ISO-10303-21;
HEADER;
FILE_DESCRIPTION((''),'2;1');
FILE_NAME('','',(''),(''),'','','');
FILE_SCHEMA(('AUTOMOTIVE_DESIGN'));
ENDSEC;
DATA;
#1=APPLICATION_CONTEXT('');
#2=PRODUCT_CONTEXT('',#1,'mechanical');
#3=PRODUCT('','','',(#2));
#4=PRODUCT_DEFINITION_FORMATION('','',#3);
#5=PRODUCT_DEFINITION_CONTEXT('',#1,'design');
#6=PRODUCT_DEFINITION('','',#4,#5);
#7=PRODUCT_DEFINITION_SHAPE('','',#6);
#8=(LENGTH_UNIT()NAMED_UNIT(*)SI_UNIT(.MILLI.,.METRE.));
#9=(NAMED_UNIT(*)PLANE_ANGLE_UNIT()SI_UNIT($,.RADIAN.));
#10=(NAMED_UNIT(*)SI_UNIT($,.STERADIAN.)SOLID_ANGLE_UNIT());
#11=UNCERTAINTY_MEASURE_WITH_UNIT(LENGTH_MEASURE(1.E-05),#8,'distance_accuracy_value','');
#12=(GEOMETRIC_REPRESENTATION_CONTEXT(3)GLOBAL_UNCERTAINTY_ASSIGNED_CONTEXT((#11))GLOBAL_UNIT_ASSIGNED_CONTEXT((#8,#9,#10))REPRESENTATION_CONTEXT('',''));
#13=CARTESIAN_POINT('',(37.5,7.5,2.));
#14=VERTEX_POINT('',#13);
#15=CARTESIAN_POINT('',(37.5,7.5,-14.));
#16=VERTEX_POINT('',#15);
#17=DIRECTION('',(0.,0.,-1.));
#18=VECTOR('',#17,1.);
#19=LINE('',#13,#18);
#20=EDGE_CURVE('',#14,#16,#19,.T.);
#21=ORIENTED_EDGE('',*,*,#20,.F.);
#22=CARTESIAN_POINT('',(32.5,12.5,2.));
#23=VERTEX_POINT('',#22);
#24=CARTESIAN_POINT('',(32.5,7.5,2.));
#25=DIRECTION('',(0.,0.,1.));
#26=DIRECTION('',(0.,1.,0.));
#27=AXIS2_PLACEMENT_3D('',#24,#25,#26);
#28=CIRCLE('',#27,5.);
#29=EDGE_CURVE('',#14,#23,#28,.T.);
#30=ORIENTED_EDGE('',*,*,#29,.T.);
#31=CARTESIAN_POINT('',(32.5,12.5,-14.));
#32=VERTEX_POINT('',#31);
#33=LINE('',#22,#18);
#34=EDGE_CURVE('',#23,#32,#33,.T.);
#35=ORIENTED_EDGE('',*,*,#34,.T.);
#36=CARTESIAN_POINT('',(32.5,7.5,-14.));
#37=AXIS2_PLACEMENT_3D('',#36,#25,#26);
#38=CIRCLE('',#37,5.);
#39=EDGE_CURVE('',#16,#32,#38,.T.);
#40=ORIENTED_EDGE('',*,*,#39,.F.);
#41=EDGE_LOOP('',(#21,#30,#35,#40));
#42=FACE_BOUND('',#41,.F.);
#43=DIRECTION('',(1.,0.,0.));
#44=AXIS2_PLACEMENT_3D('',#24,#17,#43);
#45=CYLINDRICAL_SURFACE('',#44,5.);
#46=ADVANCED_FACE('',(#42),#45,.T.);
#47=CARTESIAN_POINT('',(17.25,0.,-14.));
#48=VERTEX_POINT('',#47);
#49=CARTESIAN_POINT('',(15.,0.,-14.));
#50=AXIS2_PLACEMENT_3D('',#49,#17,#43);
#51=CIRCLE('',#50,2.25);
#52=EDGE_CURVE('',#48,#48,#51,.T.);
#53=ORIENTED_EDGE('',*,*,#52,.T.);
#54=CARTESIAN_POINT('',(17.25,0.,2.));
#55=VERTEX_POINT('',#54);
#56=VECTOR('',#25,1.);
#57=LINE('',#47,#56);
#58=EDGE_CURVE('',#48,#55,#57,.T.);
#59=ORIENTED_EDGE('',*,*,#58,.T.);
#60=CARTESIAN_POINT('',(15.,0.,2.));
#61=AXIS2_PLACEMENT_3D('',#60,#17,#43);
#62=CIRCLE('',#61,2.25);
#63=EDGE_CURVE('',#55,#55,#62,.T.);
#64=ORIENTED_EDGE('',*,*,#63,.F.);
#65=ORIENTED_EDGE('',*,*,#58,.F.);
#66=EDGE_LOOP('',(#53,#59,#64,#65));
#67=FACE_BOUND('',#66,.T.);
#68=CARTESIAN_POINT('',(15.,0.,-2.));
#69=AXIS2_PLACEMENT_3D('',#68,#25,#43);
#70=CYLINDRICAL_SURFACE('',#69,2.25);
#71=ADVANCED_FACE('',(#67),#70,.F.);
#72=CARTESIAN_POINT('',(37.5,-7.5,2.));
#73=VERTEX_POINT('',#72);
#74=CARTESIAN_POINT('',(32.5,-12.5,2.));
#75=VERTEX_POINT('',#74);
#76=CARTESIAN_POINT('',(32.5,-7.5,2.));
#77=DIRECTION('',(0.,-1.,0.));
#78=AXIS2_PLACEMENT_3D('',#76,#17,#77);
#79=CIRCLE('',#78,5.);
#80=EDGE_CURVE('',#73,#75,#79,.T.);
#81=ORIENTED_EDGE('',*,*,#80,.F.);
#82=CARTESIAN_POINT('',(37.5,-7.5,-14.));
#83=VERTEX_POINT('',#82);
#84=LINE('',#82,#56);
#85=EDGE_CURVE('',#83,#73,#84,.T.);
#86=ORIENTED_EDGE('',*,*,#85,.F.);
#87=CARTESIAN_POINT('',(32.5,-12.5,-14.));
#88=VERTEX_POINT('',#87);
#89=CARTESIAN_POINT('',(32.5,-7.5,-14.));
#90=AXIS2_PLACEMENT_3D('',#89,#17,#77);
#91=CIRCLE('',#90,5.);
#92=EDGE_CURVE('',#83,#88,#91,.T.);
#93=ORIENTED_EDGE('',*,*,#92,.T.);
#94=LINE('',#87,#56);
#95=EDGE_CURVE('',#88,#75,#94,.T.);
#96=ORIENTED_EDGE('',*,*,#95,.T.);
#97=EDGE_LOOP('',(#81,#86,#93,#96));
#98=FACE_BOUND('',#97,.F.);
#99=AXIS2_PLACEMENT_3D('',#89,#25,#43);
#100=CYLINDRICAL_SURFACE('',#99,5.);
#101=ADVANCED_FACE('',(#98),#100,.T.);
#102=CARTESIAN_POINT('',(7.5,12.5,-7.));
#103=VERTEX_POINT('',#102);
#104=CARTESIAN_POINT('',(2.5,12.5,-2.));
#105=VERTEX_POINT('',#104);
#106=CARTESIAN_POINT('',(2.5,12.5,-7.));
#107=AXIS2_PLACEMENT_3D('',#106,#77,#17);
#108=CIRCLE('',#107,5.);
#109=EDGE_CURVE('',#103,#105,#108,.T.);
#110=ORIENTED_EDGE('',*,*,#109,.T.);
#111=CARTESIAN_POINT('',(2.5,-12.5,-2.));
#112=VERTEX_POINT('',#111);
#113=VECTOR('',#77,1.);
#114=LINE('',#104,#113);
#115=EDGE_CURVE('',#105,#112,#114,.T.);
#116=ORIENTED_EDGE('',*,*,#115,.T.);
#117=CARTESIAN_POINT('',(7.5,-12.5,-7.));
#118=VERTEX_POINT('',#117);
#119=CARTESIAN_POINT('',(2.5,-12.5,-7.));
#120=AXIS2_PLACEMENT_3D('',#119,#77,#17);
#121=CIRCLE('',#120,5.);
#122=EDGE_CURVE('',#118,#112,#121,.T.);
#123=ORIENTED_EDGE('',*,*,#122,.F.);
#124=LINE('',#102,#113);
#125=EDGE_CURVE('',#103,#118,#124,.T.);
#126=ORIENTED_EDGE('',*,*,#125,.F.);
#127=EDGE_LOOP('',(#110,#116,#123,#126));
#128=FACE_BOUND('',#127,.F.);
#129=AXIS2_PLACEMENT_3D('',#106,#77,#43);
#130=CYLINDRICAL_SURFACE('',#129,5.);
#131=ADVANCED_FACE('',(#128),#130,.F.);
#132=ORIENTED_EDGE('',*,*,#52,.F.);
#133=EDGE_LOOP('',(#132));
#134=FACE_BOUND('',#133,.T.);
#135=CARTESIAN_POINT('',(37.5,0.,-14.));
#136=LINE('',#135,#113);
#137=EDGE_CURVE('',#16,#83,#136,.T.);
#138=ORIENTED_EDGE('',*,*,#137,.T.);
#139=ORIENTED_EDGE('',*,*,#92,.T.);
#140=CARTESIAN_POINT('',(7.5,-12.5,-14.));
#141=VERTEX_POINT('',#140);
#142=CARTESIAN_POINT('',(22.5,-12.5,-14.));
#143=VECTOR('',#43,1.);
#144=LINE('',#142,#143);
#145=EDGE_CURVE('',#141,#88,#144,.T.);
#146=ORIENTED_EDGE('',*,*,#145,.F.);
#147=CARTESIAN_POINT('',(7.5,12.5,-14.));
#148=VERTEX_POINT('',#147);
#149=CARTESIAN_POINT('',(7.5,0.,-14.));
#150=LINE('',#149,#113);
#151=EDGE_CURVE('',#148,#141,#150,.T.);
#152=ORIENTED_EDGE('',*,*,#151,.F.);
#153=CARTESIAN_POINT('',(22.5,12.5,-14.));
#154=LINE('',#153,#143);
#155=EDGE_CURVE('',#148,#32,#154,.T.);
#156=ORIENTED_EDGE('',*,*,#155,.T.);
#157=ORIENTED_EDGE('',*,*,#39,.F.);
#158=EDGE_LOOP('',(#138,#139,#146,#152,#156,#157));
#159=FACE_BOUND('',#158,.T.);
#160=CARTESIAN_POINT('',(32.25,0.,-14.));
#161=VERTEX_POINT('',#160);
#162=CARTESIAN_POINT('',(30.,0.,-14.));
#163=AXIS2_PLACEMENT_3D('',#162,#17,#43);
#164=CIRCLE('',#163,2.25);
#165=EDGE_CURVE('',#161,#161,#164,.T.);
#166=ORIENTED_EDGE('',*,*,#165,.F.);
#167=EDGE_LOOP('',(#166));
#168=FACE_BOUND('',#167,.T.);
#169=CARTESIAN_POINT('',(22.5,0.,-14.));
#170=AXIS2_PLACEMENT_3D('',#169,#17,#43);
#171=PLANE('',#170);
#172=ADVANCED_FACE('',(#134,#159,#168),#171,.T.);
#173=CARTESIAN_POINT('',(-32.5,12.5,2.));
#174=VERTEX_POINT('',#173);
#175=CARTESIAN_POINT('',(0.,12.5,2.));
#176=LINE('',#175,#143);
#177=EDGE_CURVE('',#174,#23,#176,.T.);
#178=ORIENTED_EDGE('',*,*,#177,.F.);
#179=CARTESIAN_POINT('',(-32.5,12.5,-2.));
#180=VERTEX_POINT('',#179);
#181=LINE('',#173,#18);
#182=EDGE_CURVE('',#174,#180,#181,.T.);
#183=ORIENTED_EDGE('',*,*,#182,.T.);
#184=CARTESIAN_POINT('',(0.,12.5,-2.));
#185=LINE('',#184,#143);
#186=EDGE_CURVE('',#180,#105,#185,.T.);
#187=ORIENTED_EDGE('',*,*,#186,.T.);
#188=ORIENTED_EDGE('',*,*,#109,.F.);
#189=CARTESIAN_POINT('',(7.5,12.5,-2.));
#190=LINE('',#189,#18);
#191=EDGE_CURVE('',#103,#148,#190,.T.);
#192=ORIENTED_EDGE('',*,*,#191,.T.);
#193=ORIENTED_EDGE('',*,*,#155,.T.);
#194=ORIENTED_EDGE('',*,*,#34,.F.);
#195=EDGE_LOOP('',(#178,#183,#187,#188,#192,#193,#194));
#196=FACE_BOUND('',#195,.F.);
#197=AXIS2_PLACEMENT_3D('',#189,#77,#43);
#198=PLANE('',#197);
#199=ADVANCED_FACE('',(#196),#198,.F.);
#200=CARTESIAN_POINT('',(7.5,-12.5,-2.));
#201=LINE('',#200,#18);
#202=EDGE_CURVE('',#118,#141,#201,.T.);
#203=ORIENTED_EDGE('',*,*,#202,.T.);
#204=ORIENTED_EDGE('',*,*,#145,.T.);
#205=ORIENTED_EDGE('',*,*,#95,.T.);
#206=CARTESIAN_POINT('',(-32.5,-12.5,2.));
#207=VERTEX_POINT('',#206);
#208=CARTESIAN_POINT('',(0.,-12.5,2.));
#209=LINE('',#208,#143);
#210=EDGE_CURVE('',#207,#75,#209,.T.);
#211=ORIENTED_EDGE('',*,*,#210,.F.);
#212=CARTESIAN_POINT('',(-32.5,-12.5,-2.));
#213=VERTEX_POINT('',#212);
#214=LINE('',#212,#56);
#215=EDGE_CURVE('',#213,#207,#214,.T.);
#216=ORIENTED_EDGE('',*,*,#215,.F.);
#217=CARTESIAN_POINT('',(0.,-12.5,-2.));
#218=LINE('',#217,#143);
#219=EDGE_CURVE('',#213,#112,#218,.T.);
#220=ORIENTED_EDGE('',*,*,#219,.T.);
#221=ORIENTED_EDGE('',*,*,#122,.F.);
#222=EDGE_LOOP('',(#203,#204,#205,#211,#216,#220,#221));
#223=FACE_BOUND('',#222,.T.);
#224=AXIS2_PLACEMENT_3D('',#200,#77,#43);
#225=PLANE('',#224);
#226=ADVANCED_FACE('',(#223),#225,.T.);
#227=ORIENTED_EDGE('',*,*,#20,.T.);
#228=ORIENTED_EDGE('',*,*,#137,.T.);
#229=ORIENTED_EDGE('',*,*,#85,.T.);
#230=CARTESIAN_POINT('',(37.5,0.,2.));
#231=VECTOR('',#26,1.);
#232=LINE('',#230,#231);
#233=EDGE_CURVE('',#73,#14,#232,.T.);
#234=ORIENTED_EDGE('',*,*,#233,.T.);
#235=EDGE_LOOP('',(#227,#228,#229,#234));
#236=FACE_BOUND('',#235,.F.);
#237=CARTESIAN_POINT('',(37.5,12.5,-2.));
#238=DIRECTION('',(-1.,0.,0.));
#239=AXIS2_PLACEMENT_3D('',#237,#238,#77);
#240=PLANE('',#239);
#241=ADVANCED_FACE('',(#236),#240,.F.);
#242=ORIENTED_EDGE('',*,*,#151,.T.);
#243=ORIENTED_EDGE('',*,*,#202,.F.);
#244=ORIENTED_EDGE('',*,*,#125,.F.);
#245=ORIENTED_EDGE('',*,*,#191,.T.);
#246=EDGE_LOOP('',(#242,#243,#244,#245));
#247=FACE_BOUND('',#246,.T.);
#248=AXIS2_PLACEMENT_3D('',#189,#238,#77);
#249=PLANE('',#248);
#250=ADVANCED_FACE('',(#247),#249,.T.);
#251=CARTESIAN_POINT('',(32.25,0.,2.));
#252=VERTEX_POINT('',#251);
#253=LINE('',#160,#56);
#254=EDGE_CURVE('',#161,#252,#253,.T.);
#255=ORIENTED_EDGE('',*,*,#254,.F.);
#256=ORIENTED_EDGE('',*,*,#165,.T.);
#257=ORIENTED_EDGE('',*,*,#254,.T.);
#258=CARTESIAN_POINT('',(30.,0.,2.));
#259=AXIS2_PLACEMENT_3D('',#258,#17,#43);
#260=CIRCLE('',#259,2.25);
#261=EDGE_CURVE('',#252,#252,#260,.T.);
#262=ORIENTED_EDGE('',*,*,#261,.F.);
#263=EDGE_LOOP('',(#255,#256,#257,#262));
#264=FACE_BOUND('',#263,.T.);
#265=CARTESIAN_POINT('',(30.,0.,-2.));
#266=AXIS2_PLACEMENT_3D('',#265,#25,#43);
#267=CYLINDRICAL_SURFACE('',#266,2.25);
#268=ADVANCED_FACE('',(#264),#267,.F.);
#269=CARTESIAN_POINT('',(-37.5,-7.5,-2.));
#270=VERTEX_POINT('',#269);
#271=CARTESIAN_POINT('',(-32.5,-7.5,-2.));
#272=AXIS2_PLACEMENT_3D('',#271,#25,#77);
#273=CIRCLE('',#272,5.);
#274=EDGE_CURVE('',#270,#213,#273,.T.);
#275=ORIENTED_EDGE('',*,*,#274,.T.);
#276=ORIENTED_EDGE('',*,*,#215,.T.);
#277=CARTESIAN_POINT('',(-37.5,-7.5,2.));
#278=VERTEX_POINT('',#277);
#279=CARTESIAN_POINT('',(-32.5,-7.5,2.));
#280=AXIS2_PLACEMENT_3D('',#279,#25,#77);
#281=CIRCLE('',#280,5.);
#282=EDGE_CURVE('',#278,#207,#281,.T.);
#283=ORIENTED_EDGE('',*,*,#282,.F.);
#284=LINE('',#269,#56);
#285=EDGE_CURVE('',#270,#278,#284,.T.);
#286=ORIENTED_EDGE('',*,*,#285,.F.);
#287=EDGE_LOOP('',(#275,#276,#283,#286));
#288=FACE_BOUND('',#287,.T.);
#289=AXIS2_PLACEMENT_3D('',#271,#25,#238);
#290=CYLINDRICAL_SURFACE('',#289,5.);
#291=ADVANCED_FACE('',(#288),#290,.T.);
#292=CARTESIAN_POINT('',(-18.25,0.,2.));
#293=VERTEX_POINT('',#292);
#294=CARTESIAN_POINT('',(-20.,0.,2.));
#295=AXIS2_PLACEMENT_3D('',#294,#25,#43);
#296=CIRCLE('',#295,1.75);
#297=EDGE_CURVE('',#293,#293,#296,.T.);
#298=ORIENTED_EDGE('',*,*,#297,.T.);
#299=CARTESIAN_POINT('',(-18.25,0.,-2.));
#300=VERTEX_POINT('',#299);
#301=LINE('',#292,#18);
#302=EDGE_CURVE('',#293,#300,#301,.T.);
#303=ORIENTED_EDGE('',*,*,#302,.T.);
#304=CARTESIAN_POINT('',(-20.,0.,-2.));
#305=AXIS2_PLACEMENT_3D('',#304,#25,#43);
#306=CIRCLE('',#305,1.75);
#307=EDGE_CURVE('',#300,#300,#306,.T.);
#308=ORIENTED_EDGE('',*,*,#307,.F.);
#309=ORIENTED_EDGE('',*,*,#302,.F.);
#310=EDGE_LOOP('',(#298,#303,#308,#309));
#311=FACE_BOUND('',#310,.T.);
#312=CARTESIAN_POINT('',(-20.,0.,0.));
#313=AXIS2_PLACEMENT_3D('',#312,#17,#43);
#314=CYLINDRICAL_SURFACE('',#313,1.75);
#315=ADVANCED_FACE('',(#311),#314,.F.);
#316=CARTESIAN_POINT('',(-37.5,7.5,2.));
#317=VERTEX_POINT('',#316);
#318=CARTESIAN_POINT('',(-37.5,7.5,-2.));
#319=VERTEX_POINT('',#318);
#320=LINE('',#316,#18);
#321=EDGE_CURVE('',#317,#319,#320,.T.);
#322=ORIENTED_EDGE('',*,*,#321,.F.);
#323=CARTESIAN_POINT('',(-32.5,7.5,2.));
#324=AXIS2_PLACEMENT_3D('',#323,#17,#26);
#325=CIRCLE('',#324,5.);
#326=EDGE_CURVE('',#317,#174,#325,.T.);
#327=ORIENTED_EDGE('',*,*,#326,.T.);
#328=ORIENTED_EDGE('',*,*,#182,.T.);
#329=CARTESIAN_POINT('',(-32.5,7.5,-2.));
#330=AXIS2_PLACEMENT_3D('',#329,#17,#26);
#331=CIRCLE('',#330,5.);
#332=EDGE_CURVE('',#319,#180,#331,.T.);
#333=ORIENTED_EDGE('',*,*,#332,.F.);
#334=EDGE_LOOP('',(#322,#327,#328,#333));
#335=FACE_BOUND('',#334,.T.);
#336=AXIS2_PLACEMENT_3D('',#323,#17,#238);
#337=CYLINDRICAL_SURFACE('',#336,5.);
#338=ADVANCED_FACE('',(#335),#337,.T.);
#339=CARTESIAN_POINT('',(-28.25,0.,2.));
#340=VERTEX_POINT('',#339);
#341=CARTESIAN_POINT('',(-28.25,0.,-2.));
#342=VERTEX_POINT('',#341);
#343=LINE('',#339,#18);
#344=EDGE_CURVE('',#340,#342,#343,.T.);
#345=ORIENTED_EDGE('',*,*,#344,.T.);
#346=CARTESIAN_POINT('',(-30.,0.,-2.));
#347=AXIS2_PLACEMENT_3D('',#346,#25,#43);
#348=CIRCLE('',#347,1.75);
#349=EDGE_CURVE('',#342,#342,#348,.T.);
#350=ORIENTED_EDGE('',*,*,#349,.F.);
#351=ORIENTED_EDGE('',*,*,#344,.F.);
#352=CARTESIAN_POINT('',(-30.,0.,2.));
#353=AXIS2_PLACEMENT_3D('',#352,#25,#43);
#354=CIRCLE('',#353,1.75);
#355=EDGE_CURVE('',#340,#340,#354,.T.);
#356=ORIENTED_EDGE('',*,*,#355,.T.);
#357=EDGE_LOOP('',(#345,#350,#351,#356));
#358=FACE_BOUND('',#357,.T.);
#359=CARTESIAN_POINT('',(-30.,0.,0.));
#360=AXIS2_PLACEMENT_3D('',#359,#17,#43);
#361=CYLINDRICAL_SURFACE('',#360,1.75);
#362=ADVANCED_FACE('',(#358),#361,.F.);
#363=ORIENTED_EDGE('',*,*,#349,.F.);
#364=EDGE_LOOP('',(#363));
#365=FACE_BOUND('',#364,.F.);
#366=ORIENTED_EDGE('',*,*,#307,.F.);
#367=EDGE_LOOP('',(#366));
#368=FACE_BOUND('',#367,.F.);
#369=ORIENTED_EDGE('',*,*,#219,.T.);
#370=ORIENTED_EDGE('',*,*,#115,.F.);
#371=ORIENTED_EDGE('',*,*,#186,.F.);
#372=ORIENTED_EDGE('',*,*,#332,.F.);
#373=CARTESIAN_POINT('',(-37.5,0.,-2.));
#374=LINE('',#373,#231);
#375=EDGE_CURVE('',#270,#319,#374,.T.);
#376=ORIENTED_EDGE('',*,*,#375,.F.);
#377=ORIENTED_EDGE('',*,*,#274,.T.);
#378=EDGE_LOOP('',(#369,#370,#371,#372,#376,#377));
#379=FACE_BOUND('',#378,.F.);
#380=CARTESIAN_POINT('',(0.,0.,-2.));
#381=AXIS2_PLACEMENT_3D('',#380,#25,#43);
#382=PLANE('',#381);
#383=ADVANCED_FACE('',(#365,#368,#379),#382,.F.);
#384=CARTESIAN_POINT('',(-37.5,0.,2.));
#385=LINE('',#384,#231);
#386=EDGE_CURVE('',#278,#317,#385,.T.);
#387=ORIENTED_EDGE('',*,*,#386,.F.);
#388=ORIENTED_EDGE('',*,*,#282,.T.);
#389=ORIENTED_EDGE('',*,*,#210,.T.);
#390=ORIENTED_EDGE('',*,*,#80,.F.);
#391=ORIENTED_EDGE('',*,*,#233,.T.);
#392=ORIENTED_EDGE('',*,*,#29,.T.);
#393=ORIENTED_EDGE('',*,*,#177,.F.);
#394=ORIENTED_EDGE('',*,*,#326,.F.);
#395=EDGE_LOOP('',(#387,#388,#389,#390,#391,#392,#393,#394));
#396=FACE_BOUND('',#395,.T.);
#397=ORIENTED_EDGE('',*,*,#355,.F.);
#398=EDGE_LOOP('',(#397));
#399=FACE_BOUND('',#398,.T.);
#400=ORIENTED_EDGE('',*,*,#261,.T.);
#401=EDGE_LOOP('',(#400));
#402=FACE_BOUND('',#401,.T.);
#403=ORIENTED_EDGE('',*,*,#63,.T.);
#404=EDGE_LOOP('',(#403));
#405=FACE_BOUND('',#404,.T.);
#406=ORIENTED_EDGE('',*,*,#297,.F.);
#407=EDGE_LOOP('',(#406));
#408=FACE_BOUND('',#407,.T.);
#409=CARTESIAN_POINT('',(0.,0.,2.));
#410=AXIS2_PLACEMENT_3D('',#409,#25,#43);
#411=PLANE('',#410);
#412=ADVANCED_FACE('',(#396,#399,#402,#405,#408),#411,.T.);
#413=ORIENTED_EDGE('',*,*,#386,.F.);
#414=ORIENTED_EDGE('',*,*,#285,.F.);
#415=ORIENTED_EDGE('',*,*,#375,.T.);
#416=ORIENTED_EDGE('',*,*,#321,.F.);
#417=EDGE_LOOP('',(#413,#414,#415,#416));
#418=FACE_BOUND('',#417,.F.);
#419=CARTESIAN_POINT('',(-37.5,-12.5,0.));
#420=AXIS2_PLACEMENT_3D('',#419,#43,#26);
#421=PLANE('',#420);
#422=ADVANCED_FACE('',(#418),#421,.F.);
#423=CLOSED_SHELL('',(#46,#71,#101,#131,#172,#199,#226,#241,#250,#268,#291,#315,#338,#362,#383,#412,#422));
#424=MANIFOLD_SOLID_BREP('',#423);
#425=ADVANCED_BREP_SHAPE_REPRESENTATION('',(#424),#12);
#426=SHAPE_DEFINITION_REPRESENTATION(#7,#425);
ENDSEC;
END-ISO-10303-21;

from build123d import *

# Parameters (mm, degrees)
F0_W     = 75
F0_H     = 25
F0_R     = 1.75
F1_DEPTH = 2
F2_W     = 30
F2_H     = 25
F2_R     = 2.25
F3_DEPTH = 12
F4_DEPTH = 4
F5_R     = 5


with BuildPart() as f1:
    # F0 (on Top) → F1 (new body, symmetric)
    with BuildSketch(Plane.XY):
        Rectangle(F0_W, F0_H)
        with Locations((-30, 0)):
            Circle(F0_R, mode=Mode.SUBTRACT)
        with Locations((-20, 0)):
            Circle(F0_R, mode=Mode.SUBTRACT)
    extrude(amount=F1_DEPTH, both=True)

    # F2 (on face) → F3 (join)
    with BuildSketch(Plane(origin=(0, 0, -2), x_dir=(1, 0, 0), z_dir=(0, 0, -1))):
        with Locations((22.5, 0)):
            Rectangle(F2_W, F2_H)
        with Locations((15, 0)):
            Circle(F2_R, mode=Mode.SUBTRACT)
        with Locations((30, 0)):
            Circle(F2_R, mode=Mode.SUBTRACT)
    extrude(amount=F3_DEPTH)

    # F4 (cut, through all): faces of the model
    f4_faces = [f1.faces().sort_by_distance(p)[0] for p in [
        (15, 0, -2),
        (30, 0, -2),
    ]]
    extrude(f4_faces, amount=-F4_DEPTH, mode=Mode.SUBTRACT)

    # F5
    f5_edges = [f1.edges().sort_by_distance(p)[0] for p in [
        (-37.5, 12.5, 0),
        (-37.5, -12.5, 0),
        (7.5, 0, -2),
        (37.5, -12.5, -6),
        (37.5, 12.5, -6),
    ]]
    fillet(f5_edges, radius=F5_R)


solid = f1.part
